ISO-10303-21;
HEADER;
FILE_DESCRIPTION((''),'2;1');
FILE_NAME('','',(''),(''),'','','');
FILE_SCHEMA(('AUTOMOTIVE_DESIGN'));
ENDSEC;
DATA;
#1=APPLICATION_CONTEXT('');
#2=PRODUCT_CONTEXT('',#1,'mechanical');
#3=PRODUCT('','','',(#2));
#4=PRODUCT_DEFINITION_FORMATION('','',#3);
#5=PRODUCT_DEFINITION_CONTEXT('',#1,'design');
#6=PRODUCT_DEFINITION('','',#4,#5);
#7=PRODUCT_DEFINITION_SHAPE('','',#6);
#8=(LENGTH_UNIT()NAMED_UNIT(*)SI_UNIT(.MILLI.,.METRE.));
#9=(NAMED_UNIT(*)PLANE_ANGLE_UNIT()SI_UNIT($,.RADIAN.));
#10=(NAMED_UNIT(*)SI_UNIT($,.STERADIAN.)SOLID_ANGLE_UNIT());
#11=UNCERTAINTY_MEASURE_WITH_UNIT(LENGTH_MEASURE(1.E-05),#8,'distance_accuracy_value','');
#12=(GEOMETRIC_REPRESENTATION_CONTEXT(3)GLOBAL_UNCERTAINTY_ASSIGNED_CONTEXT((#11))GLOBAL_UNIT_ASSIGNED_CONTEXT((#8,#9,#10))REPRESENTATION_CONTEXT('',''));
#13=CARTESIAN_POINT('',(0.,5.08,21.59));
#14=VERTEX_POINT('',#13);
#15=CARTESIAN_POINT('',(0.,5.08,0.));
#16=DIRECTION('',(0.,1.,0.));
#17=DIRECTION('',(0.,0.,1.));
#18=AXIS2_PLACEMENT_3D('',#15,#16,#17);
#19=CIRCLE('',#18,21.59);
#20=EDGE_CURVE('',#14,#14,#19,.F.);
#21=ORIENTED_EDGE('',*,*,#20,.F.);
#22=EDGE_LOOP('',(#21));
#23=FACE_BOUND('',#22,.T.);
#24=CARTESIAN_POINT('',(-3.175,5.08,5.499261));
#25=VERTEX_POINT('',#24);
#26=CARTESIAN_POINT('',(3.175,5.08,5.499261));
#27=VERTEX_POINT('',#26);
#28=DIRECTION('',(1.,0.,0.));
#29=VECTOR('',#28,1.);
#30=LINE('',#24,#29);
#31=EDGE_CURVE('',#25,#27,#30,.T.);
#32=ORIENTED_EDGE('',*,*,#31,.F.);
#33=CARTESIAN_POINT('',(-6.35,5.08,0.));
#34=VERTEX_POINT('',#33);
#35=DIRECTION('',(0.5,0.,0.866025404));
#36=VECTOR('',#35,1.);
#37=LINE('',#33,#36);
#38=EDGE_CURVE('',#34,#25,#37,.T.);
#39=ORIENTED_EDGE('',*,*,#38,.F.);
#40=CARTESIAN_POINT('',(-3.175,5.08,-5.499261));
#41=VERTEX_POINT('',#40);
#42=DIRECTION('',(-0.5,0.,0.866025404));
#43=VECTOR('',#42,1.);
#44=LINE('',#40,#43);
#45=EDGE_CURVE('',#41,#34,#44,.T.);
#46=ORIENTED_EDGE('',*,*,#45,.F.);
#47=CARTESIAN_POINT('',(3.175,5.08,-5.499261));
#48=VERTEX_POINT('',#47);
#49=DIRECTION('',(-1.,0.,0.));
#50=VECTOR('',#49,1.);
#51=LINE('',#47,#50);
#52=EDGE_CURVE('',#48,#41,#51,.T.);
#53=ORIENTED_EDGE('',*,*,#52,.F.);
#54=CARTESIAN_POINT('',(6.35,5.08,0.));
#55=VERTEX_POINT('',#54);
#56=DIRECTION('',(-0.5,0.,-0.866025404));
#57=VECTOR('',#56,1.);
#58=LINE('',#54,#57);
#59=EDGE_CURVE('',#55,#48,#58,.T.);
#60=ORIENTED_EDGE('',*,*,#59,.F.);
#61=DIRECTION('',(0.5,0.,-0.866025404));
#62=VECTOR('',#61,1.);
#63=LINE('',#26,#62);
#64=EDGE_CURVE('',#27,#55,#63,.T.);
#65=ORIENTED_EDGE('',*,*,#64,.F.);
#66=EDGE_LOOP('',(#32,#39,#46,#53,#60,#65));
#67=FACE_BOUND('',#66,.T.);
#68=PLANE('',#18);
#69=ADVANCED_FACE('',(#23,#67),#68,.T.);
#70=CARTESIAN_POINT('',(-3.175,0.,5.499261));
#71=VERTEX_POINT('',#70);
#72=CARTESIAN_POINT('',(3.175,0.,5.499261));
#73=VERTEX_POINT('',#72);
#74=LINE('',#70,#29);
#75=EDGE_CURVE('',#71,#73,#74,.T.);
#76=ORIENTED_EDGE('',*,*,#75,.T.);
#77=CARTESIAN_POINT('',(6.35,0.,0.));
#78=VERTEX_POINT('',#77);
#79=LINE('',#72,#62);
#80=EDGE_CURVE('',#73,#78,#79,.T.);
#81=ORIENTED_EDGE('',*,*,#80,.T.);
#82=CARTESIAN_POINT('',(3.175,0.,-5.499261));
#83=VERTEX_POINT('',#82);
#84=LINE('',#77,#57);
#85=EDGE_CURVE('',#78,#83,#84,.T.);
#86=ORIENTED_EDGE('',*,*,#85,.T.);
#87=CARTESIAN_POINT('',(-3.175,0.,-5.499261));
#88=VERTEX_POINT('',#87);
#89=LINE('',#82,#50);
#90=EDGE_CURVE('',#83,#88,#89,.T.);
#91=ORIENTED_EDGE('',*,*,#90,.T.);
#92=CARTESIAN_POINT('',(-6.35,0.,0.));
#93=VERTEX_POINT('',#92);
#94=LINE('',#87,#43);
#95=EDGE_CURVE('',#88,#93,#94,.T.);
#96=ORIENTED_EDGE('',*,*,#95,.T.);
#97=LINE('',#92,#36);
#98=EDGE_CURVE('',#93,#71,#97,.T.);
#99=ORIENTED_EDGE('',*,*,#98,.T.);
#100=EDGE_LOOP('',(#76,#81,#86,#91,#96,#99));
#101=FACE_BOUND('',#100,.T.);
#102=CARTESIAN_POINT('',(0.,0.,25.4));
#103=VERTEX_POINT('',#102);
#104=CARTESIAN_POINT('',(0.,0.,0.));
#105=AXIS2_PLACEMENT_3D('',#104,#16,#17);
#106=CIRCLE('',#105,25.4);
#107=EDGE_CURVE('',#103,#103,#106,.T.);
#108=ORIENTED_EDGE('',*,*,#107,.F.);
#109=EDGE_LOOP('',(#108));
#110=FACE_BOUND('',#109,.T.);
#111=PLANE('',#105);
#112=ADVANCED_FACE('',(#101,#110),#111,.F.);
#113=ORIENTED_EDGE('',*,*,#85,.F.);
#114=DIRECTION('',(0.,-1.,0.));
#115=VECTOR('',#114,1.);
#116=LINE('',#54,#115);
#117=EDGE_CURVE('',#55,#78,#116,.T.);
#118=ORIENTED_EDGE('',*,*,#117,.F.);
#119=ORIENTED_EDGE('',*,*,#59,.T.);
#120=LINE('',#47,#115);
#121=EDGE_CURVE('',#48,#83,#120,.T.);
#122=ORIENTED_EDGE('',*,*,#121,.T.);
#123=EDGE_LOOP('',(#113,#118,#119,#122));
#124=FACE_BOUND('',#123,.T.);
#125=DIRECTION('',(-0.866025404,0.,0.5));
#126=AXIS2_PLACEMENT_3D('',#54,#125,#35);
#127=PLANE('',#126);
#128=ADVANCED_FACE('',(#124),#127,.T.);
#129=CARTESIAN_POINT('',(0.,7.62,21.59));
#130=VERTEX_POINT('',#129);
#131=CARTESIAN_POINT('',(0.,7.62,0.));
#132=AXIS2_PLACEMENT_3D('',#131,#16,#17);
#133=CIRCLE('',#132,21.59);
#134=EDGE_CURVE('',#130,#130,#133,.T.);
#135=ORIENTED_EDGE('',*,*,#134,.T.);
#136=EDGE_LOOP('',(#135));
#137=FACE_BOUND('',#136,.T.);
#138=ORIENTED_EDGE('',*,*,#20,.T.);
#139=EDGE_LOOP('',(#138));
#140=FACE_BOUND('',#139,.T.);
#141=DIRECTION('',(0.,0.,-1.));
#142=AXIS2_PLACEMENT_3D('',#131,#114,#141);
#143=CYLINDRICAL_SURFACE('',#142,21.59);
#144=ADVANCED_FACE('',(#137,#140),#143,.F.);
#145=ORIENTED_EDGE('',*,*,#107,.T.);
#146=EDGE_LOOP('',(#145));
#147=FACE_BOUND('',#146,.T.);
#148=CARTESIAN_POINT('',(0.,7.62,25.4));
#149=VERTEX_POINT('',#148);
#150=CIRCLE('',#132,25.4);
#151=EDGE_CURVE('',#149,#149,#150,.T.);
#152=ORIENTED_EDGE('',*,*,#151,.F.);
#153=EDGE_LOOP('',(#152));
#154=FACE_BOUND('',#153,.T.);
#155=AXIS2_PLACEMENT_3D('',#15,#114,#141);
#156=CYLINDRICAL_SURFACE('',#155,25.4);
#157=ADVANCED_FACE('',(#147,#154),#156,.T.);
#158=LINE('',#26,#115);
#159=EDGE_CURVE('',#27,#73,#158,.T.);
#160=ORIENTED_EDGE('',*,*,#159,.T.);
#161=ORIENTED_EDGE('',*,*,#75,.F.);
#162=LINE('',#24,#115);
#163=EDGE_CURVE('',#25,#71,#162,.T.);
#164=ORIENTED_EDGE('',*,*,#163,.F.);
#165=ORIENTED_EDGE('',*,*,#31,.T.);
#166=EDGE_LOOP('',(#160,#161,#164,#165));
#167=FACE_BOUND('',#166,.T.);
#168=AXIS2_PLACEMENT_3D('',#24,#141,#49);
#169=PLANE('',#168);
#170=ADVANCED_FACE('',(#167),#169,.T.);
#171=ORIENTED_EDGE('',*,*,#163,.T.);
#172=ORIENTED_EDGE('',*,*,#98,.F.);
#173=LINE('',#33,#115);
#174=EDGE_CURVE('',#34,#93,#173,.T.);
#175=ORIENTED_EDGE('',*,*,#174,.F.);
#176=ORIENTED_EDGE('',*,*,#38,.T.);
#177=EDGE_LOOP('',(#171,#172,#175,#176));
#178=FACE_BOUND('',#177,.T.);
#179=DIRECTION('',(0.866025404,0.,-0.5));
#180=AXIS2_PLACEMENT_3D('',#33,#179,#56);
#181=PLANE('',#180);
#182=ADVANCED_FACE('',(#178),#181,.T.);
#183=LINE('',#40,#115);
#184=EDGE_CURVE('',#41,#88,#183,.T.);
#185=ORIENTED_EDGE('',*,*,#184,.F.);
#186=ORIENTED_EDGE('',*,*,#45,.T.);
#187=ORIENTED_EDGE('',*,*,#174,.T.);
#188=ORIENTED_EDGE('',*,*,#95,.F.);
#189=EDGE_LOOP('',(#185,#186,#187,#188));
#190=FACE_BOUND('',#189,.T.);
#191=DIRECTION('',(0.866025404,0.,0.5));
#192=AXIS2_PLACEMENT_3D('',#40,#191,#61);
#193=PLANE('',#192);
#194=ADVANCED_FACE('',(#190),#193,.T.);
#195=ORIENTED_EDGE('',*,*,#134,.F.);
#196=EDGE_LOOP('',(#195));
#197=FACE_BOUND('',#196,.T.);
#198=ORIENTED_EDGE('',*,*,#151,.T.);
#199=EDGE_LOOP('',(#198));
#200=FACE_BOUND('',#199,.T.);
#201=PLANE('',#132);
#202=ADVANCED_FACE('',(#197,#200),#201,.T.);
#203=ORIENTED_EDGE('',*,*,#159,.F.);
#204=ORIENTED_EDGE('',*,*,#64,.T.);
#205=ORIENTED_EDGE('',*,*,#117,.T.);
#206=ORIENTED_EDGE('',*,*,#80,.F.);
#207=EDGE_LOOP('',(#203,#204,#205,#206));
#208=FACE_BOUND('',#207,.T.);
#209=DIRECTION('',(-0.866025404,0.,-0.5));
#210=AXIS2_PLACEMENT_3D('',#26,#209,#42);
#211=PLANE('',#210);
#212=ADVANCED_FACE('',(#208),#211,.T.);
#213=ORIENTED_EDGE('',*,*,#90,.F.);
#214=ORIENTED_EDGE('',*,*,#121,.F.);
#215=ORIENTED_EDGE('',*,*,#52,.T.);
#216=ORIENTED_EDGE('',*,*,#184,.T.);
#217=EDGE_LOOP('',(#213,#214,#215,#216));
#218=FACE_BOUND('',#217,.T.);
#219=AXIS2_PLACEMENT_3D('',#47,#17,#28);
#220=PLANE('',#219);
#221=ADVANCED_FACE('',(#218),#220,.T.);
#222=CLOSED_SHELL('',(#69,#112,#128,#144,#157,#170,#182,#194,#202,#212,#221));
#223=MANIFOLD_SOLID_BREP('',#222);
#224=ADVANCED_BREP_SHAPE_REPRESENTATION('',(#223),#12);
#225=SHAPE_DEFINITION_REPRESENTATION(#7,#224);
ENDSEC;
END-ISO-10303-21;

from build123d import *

# Parameters (mm, degrees)
SKETCH1_R           = 25.4
BOSS_EXTRUDE1_DEPTH = 5.08
SKETCH2_R           = 25.4
SKETCH2_R_2         = 21.59
BOSS_EXTRUDE2_DEPTH = 2.54


with BuildPart() as part:
    # Sketch1 → Boss-Extrude1 (new body)
    with BuildSketch(Plane(origin=(0, 0, 0), x_dir=(1, 0, 0), z_dir=(0, 1, 0))):
        with Locations(Location((0, 0, 0), (0, 0, 270))):
            Circle(SKETCH1_R)
        Polygon((6.35, 0), (3.175, 5.499261314), (-3.175, 5.499261314), (-6.35, 0), (-3.175, -5.499261314), (3.175, -5.499261314), align=None, mode=Mode.SUBTRACT)
    extrude(amount=BOSS_EXTRUDE1_DEPTH)

    # Sketch2 → Boss-Extrude2 (add)
    with BuildSketch(Plane(origin=(0, 5.08, 0), x_dir=(1, 0, 0), z_dir=(0, 1, 0))):
        with Locations(Location((0, 0, 0), (0, 0, 270))):
            Circle(SKETCH2_R)
        with Locations(Location((0, 0, 0), (0, 0, 270))):
            Circle(SKETCH2_R_2, mode=Mode.SUBTRACT)
    extrude(amount=BOSS_EXTRUDE2_DEPTH)


solid = part.part
